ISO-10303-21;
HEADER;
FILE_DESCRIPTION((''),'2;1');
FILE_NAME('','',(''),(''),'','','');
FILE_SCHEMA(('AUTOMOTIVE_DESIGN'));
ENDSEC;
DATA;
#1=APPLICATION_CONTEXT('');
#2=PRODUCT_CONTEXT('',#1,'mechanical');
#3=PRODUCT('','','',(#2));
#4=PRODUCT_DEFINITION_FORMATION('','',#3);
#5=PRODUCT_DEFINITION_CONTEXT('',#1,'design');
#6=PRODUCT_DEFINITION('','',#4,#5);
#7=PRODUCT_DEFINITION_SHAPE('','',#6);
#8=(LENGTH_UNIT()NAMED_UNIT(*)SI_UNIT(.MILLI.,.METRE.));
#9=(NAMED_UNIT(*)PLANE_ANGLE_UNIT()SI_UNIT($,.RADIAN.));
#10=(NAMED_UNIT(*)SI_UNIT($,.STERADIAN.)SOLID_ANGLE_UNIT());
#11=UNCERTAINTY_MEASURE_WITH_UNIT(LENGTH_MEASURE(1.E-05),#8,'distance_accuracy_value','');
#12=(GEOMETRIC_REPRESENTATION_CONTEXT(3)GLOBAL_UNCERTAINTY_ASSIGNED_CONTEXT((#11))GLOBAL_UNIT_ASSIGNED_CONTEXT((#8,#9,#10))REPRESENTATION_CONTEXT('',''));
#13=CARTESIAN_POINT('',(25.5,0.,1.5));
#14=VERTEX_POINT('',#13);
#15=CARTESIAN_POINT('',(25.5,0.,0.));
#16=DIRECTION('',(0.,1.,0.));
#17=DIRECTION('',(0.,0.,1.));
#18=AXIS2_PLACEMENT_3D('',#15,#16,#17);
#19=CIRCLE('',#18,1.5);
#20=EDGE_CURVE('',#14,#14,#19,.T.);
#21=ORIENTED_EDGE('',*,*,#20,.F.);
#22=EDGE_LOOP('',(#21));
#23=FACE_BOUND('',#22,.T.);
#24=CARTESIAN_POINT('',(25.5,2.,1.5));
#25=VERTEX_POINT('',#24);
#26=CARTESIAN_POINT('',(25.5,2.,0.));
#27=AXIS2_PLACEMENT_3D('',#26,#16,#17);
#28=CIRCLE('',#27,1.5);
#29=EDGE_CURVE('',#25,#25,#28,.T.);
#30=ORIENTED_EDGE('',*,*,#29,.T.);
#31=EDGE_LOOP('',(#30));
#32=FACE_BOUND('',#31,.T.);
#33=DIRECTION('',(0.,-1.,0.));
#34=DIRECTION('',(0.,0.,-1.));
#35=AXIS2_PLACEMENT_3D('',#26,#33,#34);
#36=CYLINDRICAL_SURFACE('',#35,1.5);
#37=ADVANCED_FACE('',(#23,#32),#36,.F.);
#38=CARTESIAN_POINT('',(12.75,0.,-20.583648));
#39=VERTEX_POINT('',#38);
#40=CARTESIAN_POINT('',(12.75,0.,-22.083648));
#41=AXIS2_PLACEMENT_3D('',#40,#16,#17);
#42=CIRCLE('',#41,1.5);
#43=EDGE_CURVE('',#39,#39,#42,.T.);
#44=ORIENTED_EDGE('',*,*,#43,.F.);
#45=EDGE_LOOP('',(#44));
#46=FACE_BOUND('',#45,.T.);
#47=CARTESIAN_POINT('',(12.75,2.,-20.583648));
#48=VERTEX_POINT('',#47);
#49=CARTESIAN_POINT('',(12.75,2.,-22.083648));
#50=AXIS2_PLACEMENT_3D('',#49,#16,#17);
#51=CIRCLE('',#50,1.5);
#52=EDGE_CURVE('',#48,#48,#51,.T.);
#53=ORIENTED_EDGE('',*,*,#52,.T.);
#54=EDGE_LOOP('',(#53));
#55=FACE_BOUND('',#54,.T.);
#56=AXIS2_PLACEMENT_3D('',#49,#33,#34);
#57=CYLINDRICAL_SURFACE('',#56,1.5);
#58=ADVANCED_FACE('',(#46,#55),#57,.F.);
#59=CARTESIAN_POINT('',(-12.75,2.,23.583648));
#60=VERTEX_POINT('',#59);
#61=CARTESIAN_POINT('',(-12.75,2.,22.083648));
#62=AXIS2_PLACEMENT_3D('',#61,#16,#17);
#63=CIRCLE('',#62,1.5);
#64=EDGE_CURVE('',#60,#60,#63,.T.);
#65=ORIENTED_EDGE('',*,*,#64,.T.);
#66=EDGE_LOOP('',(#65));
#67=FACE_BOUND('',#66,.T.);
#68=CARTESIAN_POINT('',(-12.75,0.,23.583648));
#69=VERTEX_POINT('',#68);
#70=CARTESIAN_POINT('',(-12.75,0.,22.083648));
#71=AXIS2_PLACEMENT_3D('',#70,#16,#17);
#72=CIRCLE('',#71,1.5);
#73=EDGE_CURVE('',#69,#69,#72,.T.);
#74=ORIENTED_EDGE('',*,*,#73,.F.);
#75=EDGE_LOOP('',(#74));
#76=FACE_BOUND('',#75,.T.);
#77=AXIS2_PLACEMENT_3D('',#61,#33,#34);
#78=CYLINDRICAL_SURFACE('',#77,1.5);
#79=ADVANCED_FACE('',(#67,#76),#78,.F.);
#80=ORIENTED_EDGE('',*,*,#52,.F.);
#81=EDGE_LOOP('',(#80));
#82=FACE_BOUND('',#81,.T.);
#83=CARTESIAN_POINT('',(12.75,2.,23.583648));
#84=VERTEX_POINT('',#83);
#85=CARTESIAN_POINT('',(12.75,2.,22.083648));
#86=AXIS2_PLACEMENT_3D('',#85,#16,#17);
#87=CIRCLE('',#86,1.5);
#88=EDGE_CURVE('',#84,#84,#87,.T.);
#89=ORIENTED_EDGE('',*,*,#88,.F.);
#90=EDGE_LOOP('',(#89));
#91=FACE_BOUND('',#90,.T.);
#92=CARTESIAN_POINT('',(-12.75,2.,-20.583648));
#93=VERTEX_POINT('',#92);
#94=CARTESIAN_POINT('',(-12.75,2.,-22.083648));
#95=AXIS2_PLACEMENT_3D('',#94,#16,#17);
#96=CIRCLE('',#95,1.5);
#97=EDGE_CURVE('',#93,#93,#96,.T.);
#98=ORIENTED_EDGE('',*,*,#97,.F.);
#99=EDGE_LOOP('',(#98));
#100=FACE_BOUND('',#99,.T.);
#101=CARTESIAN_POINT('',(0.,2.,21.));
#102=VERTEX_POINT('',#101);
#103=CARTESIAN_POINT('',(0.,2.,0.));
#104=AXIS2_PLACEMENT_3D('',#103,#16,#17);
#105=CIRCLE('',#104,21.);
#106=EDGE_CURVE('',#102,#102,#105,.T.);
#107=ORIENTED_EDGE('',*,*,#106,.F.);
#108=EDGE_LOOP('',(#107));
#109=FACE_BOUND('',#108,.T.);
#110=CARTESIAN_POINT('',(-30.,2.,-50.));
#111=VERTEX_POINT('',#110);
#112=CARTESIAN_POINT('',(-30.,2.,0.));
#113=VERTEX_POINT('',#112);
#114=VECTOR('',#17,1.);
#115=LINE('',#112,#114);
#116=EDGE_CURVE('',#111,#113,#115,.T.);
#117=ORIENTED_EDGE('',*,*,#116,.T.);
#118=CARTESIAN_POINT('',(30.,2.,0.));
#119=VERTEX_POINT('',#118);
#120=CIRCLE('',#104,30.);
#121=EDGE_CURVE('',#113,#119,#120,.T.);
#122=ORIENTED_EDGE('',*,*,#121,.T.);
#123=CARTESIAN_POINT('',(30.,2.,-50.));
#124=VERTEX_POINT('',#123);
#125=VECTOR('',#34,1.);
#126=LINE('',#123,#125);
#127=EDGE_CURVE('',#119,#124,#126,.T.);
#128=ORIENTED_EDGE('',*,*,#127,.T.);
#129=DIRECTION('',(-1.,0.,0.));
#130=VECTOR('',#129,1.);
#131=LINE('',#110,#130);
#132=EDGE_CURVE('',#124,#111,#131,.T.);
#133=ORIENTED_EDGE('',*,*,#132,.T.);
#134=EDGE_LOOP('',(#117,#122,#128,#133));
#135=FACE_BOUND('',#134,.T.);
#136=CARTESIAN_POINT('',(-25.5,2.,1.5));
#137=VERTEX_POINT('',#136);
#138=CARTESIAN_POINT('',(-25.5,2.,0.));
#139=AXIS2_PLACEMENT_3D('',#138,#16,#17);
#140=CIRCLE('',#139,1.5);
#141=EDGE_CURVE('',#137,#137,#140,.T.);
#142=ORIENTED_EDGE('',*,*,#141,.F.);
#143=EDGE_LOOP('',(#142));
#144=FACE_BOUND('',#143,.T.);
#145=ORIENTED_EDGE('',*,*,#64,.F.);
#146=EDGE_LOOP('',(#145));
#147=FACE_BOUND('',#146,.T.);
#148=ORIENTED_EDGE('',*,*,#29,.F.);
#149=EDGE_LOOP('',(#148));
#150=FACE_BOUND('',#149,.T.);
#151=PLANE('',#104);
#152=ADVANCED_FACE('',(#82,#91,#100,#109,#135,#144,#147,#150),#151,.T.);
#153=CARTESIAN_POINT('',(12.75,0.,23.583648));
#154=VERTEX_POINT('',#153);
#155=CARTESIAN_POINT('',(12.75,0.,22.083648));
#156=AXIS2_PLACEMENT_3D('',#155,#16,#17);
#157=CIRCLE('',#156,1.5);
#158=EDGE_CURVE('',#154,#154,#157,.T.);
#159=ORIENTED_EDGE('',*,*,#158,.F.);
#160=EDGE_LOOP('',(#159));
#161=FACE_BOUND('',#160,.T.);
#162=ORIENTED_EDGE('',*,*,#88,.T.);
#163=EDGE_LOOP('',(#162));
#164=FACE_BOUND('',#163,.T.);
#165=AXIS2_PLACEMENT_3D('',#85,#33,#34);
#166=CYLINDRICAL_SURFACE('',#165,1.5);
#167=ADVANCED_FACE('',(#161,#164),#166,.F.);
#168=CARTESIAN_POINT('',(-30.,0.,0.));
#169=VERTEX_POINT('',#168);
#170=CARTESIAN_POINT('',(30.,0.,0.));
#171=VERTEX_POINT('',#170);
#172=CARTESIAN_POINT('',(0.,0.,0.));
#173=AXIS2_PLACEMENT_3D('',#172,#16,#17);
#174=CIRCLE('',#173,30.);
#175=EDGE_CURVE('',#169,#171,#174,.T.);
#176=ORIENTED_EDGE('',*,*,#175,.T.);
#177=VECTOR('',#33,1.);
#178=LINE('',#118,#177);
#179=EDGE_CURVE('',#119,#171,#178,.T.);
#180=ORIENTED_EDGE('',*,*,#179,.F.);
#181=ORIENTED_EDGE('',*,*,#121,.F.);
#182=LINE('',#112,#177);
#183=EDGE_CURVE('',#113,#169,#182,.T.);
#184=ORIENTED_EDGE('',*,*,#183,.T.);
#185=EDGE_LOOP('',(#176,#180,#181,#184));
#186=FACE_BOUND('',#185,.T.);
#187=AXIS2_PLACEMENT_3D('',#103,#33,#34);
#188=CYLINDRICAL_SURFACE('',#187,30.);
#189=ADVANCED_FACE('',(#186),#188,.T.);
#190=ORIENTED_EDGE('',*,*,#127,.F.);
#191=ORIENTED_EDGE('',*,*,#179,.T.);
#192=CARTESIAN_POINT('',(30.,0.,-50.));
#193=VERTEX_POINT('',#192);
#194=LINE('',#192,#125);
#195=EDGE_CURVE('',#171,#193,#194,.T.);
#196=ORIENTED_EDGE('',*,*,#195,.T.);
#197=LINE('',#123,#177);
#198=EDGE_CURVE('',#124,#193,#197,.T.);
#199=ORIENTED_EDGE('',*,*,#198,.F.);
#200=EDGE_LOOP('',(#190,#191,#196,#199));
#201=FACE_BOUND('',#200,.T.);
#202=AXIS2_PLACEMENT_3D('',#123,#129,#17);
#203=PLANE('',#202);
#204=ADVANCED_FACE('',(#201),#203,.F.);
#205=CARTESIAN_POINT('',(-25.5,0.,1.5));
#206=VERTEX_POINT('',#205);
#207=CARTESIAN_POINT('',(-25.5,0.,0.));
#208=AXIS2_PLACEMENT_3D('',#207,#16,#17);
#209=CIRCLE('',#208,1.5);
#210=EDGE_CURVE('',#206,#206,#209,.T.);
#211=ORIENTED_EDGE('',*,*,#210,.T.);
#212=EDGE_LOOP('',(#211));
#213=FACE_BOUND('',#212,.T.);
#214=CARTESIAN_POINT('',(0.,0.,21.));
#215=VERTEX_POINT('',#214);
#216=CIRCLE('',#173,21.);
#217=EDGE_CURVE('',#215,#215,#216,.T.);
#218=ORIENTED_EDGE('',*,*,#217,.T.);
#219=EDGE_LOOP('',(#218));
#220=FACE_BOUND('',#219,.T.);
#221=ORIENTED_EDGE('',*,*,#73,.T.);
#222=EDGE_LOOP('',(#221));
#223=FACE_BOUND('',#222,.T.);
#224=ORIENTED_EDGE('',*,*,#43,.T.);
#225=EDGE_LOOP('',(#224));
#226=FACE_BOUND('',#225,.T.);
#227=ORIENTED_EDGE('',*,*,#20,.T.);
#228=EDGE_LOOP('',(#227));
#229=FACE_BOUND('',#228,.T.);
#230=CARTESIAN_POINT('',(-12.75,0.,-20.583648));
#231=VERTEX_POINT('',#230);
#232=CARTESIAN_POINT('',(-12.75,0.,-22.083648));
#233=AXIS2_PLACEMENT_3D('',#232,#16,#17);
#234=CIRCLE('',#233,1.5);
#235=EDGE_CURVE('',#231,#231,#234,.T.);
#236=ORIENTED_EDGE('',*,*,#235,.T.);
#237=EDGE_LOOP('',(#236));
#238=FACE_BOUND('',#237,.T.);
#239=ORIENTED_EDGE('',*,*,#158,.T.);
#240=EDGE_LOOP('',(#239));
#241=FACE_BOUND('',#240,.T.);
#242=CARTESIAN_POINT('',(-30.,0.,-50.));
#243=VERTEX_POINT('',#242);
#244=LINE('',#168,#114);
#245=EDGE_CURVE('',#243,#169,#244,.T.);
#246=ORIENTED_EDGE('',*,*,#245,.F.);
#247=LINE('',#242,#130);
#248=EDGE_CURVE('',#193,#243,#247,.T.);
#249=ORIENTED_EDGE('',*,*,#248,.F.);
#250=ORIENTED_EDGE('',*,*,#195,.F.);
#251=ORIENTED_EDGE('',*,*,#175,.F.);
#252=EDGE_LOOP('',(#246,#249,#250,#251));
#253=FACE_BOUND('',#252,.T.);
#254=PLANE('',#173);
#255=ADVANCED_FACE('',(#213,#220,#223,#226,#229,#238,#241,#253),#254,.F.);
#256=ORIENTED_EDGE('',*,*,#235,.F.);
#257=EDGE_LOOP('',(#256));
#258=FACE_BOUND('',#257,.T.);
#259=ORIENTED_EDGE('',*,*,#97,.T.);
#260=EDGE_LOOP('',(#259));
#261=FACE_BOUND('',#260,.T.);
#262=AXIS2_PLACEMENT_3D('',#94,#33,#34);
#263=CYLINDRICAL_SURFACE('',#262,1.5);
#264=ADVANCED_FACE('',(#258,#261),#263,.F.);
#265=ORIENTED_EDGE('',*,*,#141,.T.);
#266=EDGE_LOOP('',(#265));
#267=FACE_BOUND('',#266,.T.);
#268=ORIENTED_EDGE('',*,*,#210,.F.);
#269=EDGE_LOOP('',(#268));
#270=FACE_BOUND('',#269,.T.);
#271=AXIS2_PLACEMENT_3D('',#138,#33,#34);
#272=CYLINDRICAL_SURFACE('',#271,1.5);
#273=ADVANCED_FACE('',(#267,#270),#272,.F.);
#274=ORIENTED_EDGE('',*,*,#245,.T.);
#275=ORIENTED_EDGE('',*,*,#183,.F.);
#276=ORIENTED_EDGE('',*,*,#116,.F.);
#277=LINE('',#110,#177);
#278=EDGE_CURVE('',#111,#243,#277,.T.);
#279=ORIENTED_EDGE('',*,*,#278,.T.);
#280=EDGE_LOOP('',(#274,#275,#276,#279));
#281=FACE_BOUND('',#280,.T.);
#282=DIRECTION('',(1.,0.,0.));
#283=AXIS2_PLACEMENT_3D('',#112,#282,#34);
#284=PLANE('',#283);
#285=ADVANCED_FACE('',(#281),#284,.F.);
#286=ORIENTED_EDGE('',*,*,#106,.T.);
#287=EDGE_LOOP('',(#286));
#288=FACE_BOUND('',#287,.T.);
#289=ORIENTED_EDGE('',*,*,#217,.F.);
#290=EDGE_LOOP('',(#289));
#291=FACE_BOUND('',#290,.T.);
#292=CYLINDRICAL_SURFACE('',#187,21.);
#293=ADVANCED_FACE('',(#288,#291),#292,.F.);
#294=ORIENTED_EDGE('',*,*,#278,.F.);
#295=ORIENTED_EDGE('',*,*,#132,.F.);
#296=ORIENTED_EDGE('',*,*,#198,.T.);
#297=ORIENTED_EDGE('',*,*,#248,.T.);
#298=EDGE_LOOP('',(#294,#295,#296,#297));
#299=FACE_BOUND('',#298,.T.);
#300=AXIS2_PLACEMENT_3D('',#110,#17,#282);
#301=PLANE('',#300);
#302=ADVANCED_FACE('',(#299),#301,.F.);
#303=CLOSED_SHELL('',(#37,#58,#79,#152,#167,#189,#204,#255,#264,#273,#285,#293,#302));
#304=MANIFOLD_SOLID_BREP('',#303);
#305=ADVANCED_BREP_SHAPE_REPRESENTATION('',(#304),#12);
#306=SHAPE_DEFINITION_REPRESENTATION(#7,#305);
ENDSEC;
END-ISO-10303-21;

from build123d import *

# Parameters (mm, degrees)
SKETCH1_R           = 21
SKETCH1_R_2         = 1.5
BOSS_EXTRUDE1_DEPTH = 2


with BuildPart() as part:
    # Sketch1 → Boss-Extrude1 (new body)
    with BuildSketch(Plane(origin=(0, 0, 0), x_dir=(1, 0, 0), z_dir=(0, 1, 0))):
        with BuildLine():
            Line((-30, 0), (-30, 50))
            Line((-30, 50), (30, 50))
            Line((30, 50), (30, 0))
            ThreePointArc((30, 0), (0, -30), (-30, 0))
        make_face()
        with Locations(Location((0, 0, 0), (0, 0, 270))):
            Circle(SKETCH1_R, mode=Mode.SUBTRACT)
        with Locations(Location((-12.75, 22.083647797, 0), (0, 0, 270))):
            Circle(SKETCH1_R_2, mode=Mode.SUBTRACT)
        with Locations(Location((12.75, 22.083647797, 0), (0, 0, 270))):
            Circle(SKETCH1_R_2, mode=Mode.SUBTRACT)
        with Locations(Location((25.5, 0, 0), (0, 0, 270))):
            Circle(SKETCH1_R_2, mode=Mode.SUBTRACT)
        with Locations(Location((12.75, -22.083647797, 0), (0, 0, 270))):
            Circle(SKETCH1_R_2, mode=Mode.SUBTRACT)
        with Locations(Location((-12.75, -22.083647797, 0), (0, 0, 270))):
            Circle(SKETCH1_R_2, mode=Mode.SUBTRACT)
        with Locations(Location((-25.5, 0, 0), (0, 0, 270))):
            Circle(SKETCH1_R_2, mode=Mode.SUBTRACT)
    extrude(amount=BOSS_EXTRUDE1_DEPTH)


solid = part.part
